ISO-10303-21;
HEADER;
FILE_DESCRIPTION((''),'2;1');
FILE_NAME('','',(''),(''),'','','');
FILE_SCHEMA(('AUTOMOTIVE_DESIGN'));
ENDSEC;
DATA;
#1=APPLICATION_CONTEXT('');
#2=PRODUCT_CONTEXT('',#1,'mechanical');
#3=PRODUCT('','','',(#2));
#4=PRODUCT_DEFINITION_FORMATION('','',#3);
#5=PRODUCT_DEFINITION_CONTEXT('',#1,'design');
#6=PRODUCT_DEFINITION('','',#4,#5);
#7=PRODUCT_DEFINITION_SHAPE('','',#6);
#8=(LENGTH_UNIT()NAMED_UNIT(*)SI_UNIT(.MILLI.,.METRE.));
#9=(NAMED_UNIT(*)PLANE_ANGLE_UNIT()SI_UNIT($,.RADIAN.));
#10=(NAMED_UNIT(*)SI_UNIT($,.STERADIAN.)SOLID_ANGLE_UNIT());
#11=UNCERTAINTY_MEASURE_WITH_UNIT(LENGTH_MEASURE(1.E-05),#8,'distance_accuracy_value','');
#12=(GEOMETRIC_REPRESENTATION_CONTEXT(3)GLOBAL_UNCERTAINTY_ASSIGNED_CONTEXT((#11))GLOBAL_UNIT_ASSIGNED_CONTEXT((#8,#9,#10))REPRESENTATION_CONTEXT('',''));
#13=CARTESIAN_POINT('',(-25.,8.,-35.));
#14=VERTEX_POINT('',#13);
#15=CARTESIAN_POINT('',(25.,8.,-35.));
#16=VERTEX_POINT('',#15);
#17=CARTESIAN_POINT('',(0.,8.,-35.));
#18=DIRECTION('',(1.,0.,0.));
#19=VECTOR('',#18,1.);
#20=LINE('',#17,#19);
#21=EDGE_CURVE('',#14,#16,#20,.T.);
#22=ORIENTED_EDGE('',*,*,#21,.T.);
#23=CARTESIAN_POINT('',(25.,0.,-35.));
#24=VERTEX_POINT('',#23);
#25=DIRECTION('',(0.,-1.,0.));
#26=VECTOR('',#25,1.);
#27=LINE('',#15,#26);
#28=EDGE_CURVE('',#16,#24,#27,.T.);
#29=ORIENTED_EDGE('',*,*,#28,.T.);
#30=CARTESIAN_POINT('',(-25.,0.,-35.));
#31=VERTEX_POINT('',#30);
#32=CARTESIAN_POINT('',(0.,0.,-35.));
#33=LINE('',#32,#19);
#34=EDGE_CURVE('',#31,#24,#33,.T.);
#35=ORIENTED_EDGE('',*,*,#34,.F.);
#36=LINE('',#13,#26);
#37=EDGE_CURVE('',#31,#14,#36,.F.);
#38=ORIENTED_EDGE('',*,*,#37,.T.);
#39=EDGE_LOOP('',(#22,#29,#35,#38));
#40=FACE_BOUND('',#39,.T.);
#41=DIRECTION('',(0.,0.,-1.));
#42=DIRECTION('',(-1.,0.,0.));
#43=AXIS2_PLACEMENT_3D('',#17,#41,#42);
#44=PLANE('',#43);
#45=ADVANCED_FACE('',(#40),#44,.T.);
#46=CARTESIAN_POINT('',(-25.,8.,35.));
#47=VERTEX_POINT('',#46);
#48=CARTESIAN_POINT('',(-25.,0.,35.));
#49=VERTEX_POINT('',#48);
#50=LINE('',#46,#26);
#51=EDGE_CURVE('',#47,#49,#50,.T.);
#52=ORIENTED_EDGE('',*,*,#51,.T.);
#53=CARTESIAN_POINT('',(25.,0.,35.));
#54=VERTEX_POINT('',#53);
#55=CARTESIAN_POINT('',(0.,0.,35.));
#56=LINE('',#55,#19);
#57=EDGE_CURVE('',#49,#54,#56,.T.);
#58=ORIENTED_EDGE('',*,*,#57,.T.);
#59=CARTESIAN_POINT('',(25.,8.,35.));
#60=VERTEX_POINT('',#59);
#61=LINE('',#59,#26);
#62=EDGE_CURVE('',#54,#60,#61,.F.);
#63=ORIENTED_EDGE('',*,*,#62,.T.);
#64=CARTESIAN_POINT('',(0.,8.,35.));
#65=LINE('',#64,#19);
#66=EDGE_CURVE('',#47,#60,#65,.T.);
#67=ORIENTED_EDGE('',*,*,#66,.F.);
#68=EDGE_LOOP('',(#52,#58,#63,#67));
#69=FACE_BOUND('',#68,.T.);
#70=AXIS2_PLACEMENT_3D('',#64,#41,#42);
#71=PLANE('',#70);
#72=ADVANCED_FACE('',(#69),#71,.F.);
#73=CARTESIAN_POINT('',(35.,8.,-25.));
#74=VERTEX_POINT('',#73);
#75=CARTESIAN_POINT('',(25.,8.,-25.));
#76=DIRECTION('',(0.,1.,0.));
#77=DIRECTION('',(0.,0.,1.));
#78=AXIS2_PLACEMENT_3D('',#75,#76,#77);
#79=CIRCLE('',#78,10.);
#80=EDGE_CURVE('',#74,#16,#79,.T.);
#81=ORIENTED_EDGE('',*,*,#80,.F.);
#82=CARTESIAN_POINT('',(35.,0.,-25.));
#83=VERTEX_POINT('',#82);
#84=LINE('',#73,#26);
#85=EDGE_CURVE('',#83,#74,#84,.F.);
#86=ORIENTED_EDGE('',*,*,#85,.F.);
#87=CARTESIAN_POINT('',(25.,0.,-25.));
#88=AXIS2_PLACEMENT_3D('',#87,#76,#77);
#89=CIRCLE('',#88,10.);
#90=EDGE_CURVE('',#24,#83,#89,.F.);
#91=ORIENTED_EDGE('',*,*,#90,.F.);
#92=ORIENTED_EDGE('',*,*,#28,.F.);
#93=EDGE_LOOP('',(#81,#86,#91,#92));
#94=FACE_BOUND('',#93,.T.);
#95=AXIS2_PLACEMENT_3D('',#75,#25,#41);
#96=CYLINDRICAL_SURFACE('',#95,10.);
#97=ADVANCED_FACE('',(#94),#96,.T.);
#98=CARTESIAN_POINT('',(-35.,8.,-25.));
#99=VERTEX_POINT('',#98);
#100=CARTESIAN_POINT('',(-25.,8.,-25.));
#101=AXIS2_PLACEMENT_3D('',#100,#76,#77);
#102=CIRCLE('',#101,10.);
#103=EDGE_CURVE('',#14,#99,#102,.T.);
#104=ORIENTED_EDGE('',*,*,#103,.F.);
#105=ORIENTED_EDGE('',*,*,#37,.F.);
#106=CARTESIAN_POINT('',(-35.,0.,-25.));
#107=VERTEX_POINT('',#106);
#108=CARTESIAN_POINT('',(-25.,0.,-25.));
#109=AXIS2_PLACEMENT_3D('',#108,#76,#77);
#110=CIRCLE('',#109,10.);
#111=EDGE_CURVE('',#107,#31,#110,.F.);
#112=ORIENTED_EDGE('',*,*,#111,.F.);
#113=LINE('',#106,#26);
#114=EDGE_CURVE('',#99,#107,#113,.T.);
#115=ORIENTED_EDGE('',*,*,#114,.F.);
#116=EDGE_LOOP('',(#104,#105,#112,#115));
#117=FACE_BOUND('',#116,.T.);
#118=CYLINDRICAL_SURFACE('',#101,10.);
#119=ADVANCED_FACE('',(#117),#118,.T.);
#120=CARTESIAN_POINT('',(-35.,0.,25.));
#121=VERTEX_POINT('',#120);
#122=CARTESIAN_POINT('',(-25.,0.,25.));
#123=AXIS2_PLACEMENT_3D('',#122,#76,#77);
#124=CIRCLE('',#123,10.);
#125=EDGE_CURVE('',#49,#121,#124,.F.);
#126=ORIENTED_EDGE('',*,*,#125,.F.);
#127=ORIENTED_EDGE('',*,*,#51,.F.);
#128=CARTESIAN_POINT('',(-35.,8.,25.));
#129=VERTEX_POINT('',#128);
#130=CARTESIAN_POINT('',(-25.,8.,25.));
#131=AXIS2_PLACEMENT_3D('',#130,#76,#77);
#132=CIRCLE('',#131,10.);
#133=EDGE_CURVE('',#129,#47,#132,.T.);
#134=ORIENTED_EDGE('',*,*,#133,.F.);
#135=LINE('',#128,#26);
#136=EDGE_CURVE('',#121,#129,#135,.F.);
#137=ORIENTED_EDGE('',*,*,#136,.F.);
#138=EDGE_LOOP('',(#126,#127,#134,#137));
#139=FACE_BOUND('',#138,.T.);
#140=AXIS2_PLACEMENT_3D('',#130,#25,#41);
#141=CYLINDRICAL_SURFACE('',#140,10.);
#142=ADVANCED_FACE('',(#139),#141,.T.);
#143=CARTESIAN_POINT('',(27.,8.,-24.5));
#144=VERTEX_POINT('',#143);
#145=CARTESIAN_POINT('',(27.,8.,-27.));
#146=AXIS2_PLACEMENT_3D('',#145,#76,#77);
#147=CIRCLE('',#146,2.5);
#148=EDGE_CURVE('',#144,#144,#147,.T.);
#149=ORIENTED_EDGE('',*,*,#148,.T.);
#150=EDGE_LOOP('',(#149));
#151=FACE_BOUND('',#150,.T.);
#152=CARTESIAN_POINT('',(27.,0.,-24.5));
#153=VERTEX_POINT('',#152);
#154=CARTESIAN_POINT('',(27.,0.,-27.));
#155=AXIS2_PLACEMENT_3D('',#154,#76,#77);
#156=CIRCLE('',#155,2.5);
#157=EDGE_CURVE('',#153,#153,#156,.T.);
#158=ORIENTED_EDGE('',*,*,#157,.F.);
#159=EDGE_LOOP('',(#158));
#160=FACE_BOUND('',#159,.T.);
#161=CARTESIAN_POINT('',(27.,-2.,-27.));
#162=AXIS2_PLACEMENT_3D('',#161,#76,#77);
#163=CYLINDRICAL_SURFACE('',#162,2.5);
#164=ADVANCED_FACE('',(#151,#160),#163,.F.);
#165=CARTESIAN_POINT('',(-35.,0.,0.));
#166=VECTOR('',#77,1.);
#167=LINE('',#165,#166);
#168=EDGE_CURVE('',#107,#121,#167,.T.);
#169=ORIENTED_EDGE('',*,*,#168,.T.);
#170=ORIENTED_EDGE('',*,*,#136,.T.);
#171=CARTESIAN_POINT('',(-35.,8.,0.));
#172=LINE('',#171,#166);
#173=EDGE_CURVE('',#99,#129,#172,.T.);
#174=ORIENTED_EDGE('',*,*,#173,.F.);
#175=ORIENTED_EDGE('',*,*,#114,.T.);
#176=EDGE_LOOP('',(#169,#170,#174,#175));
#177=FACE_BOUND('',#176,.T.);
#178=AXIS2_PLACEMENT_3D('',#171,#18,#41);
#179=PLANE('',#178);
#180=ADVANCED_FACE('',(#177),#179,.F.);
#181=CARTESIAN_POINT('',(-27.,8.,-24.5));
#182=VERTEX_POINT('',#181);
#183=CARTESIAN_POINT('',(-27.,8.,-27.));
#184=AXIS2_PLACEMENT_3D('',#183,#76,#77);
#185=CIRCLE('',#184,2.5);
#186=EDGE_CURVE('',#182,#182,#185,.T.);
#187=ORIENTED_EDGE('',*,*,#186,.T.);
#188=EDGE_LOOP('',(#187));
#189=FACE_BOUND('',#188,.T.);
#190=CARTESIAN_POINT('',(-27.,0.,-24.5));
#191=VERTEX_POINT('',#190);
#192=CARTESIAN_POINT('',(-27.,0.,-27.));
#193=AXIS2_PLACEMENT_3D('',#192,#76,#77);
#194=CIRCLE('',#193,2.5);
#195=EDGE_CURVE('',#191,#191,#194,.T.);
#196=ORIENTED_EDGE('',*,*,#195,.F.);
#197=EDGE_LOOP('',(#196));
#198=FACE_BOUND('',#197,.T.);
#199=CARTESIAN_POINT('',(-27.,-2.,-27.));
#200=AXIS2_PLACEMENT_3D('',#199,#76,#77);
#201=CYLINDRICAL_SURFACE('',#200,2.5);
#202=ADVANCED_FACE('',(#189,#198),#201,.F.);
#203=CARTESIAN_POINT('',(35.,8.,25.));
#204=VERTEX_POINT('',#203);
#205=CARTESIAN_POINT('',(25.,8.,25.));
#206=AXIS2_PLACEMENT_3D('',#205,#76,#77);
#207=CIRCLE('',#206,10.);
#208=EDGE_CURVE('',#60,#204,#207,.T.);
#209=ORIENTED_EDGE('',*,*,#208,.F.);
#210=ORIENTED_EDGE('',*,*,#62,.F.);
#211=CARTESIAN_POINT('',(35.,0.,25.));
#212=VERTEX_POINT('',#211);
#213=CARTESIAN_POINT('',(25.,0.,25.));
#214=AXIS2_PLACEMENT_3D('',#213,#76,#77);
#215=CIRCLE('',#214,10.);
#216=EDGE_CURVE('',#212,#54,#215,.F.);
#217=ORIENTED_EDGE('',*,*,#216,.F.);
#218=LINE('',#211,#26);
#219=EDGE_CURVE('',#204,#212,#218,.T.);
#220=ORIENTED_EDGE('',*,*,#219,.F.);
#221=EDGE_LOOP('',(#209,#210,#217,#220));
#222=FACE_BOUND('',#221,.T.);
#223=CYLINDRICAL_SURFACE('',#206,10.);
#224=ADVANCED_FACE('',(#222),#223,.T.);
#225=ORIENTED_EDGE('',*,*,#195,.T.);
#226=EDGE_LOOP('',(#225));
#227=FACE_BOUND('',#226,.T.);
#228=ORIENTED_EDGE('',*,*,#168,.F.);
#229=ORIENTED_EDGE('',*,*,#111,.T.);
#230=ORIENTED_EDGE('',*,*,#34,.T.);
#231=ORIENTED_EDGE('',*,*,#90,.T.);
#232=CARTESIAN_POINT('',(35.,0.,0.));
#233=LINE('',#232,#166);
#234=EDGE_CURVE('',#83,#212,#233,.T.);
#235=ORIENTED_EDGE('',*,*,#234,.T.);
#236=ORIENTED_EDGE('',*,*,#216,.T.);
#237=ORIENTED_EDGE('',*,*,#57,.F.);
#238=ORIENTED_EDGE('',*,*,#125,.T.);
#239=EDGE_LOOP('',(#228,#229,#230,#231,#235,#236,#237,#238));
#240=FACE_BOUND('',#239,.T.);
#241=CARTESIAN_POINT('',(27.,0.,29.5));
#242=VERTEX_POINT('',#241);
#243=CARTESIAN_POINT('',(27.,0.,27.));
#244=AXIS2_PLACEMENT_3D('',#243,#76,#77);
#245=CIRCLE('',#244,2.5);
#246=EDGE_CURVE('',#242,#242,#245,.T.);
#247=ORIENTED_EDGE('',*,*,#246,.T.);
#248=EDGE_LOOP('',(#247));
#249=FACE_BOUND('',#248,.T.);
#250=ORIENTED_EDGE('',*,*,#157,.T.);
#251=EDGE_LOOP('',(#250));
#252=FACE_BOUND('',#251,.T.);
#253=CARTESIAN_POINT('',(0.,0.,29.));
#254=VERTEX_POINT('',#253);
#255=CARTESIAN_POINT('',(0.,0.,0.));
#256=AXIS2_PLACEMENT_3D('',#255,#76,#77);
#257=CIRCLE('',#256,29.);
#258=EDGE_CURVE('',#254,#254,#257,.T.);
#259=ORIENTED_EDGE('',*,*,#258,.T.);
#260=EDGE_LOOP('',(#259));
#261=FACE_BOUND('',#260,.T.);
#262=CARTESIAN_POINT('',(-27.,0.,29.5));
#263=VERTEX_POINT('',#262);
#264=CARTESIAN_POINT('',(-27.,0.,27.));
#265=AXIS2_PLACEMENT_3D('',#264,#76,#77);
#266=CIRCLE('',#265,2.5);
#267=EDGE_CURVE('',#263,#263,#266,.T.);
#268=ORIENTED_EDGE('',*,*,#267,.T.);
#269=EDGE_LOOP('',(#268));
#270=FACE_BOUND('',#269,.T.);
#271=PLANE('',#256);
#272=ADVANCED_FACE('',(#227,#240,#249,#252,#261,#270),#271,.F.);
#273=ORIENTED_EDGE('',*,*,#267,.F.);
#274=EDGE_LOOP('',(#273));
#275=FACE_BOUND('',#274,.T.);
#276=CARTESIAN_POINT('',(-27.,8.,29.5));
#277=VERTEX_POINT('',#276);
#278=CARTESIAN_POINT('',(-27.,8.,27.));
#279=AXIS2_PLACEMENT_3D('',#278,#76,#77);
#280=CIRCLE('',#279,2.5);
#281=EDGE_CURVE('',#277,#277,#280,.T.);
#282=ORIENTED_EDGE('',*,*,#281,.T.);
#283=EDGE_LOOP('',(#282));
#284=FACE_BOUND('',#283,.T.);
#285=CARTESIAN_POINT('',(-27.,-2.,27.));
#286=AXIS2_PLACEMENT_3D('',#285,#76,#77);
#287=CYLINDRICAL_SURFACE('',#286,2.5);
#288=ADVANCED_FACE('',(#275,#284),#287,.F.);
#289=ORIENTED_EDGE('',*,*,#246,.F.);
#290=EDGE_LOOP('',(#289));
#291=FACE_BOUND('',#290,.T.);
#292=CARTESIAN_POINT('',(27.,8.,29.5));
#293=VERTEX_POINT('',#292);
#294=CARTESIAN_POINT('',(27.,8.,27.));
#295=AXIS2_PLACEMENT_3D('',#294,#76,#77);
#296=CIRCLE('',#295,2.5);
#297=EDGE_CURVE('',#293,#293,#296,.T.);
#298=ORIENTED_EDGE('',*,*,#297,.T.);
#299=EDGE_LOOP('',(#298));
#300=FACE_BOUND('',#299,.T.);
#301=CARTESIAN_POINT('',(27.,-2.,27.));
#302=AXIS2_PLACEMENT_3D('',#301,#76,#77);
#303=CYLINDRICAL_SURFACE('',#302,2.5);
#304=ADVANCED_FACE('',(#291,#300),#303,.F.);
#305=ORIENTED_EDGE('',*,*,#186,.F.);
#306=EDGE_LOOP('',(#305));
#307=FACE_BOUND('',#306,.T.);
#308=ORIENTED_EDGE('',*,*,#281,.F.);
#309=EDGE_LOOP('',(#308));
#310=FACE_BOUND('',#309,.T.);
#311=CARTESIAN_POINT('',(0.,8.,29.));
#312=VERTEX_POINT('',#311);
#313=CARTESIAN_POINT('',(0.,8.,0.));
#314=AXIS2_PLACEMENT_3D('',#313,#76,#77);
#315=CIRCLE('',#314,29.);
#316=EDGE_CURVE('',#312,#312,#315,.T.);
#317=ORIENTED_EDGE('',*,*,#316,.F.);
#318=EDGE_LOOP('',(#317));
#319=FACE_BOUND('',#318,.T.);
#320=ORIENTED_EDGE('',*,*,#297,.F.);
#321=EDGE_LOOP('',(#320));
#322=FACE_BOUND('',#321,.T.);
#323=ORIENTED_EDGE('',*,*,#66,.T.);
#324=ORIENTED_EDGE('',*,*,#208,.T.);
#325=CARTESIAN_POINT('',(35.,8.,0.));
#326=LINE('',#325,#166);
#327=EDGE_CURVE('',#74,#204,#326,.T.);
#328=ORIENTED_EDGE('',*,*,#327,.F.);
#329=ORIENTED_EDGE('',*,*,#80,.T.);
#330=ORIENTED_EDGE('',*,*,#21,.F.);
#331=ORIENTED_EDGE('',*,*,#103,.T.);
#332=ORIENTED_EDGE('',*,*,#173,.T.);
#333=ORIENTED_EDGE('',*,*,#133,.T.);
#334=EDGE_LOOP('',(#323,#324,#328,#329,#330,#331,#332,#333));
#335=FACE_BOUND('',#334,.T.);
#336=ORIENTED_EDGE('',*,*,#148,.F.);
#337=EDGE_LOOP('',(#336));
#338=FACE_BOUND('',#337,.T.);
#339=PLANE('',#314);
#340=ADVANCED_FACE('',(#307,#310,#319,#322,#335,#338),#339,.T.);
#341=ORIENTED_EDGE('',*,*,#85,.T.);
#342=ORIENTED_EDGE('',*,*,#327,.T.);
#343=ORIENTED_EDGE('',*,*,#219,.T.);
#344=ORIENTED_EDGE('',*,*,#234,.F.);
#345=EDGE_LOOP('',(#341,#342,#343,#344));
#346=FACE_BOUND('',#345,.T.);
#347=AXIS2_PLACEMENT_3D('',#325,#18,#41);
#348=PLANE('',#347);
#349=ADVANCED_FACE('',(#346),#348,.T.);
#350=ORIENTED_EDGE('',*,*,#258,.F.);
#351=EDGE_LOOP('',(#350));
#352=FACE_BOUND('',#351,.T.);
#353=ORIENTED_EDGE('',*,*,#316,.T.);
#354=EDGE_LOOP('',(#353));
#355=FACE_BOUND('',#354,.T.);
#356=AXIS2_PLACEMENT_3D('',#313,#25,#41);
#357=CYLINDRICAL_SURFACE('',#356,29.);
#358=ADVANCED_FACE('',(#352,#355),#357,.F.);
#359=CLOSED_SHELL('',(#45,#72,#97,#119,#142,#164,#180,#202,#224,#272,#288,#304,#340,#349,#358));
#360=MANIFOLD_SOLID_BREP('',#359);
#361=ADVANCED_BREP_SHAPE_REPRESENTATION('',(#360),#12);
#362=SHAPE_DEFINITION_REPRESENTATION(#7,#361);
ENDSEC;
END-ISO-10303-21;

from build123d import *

# Parameters (mm, degrees)
CROQUIS1_R              = 35
CROQUIS1_R_2            = 29
SALIENTE_EXTRUIR1_DEPTH = 8
REDONDEO1_R             = 10
CROQUIS2_R              = 2.5
CORTAR_EXTRUIR1_DEPTH   = 10


with BuildPart() as part:
    # Croquis1 → Saliente-Extruir1 (new body)
    # profile 1 of 5: a face of its own
    with BuildSketch(Plane(origin=(0, 0, 0), x_dir=(1, 0, 0), z_dir=(0, 1, 0))):
        Circle(CROQUIS1_R)
        with Locations(Location((0, 0, 0), (0, 0, 270))):
            Circle(CROQUIS1_R_2, mode=Mode.SUBTRACT)
    # profile 2 of 5: a face of its own
    with BuildSketch(Plane(origin=(0, 0, 0), x_dir=(1, 0, 0), z_dir=(0, 1, 0))):
        with BuildLine():
            ThreePointArc((-1.9e-08, -35), (-24.748737387, -24.748737296), (-35, 1.1e-07))
            Line((-35, 1.1e-07), (-35, -35))
            Line((-35, -35), (-1.9e-08, -35))
        make_face()
    # profile 3 of 5: a face of its own
    with BuildSketch(Plane(origin=(0, 0, 0), x_dir=(1, 0, 0), z_dir=(0, 1, 0))):
        with BuildLine():
            Line((35, -35), (35, 0))
            ThreePointArc((35, 0), (24.748737335, -24.748737348), (-1.9e-08, -35))
            Line((-1.9e-08, -35), (35, -35))
        make_face()
    # profile 4 of 5: a face of its own
    with BuildSketch(Plane(origin=(0, 0, 0), x_dir=(1, 0, 0), z_dir=(0, 1, 0))):
        with BuildLine():
            Line((35, 35), (1.1e-08, 35))
            ThreePointArc((1.1e-08, 35), (24.748737345, 24.748737338), (35, 0))
            Line((35, 0), (35, 35))
        make_face()
    # profile 5 of 5: a face of its own
    with BuildSketch(Plane(origin=(0, 0, 0), x_dir=(1, 0, 0), z_dir=(0, 1, 0))):
        with BuildLine():
            Line((1.1e-08, 35), (-35, 35))
            Line((-35, 35), (-35, 1.1e-07))
            ThreePointArc((-35, 1.1e-07), (-24.748737299, 24.748737384), (1.1e-08, 35))
        make_face()
    extrude(amount=SALIENTE_EXTRUIR1_DEPTH)

    # Redondeo1
    redondeo1_edges = [part.edges().sort_by_distance(p)[0] for p in [
        (-35, 4, -35),
        (35, 4, -35),
        (35, 4, 35),
        (-35, 4, 35),
    ]]
    fillet(redondeo1_edges, radius=REDONDEO1_R)

    # Croquis2 → Cortar-Extruir1 (cut)
    with BuildSketch(Plane(origin=(0, 8, 0), x_dir=(1, 0, 0), z_dir=(0, 1, 0))):
        with Locations(Location((-27, 27, 0), (0, 0, 270))):
            Circle(CROQUIS2_R)
        with Locations(Location((27, 27, 0), (0, 0, 270))):
            Circle(CROQUIS2_R)
        with Locations(Location((27, -27, 0), (0, 0, 270))):
            Circle(CROQUIS2_R)
        with Locations(Location((-27, -27, 0), (0, 0, 270))):
            Circle(CROQUIS2_R)
    extrude(amount=-CORTAR_EXTRUIR1_DEPTH, mode=Mode.SUBTRACT)


solid = part.part
